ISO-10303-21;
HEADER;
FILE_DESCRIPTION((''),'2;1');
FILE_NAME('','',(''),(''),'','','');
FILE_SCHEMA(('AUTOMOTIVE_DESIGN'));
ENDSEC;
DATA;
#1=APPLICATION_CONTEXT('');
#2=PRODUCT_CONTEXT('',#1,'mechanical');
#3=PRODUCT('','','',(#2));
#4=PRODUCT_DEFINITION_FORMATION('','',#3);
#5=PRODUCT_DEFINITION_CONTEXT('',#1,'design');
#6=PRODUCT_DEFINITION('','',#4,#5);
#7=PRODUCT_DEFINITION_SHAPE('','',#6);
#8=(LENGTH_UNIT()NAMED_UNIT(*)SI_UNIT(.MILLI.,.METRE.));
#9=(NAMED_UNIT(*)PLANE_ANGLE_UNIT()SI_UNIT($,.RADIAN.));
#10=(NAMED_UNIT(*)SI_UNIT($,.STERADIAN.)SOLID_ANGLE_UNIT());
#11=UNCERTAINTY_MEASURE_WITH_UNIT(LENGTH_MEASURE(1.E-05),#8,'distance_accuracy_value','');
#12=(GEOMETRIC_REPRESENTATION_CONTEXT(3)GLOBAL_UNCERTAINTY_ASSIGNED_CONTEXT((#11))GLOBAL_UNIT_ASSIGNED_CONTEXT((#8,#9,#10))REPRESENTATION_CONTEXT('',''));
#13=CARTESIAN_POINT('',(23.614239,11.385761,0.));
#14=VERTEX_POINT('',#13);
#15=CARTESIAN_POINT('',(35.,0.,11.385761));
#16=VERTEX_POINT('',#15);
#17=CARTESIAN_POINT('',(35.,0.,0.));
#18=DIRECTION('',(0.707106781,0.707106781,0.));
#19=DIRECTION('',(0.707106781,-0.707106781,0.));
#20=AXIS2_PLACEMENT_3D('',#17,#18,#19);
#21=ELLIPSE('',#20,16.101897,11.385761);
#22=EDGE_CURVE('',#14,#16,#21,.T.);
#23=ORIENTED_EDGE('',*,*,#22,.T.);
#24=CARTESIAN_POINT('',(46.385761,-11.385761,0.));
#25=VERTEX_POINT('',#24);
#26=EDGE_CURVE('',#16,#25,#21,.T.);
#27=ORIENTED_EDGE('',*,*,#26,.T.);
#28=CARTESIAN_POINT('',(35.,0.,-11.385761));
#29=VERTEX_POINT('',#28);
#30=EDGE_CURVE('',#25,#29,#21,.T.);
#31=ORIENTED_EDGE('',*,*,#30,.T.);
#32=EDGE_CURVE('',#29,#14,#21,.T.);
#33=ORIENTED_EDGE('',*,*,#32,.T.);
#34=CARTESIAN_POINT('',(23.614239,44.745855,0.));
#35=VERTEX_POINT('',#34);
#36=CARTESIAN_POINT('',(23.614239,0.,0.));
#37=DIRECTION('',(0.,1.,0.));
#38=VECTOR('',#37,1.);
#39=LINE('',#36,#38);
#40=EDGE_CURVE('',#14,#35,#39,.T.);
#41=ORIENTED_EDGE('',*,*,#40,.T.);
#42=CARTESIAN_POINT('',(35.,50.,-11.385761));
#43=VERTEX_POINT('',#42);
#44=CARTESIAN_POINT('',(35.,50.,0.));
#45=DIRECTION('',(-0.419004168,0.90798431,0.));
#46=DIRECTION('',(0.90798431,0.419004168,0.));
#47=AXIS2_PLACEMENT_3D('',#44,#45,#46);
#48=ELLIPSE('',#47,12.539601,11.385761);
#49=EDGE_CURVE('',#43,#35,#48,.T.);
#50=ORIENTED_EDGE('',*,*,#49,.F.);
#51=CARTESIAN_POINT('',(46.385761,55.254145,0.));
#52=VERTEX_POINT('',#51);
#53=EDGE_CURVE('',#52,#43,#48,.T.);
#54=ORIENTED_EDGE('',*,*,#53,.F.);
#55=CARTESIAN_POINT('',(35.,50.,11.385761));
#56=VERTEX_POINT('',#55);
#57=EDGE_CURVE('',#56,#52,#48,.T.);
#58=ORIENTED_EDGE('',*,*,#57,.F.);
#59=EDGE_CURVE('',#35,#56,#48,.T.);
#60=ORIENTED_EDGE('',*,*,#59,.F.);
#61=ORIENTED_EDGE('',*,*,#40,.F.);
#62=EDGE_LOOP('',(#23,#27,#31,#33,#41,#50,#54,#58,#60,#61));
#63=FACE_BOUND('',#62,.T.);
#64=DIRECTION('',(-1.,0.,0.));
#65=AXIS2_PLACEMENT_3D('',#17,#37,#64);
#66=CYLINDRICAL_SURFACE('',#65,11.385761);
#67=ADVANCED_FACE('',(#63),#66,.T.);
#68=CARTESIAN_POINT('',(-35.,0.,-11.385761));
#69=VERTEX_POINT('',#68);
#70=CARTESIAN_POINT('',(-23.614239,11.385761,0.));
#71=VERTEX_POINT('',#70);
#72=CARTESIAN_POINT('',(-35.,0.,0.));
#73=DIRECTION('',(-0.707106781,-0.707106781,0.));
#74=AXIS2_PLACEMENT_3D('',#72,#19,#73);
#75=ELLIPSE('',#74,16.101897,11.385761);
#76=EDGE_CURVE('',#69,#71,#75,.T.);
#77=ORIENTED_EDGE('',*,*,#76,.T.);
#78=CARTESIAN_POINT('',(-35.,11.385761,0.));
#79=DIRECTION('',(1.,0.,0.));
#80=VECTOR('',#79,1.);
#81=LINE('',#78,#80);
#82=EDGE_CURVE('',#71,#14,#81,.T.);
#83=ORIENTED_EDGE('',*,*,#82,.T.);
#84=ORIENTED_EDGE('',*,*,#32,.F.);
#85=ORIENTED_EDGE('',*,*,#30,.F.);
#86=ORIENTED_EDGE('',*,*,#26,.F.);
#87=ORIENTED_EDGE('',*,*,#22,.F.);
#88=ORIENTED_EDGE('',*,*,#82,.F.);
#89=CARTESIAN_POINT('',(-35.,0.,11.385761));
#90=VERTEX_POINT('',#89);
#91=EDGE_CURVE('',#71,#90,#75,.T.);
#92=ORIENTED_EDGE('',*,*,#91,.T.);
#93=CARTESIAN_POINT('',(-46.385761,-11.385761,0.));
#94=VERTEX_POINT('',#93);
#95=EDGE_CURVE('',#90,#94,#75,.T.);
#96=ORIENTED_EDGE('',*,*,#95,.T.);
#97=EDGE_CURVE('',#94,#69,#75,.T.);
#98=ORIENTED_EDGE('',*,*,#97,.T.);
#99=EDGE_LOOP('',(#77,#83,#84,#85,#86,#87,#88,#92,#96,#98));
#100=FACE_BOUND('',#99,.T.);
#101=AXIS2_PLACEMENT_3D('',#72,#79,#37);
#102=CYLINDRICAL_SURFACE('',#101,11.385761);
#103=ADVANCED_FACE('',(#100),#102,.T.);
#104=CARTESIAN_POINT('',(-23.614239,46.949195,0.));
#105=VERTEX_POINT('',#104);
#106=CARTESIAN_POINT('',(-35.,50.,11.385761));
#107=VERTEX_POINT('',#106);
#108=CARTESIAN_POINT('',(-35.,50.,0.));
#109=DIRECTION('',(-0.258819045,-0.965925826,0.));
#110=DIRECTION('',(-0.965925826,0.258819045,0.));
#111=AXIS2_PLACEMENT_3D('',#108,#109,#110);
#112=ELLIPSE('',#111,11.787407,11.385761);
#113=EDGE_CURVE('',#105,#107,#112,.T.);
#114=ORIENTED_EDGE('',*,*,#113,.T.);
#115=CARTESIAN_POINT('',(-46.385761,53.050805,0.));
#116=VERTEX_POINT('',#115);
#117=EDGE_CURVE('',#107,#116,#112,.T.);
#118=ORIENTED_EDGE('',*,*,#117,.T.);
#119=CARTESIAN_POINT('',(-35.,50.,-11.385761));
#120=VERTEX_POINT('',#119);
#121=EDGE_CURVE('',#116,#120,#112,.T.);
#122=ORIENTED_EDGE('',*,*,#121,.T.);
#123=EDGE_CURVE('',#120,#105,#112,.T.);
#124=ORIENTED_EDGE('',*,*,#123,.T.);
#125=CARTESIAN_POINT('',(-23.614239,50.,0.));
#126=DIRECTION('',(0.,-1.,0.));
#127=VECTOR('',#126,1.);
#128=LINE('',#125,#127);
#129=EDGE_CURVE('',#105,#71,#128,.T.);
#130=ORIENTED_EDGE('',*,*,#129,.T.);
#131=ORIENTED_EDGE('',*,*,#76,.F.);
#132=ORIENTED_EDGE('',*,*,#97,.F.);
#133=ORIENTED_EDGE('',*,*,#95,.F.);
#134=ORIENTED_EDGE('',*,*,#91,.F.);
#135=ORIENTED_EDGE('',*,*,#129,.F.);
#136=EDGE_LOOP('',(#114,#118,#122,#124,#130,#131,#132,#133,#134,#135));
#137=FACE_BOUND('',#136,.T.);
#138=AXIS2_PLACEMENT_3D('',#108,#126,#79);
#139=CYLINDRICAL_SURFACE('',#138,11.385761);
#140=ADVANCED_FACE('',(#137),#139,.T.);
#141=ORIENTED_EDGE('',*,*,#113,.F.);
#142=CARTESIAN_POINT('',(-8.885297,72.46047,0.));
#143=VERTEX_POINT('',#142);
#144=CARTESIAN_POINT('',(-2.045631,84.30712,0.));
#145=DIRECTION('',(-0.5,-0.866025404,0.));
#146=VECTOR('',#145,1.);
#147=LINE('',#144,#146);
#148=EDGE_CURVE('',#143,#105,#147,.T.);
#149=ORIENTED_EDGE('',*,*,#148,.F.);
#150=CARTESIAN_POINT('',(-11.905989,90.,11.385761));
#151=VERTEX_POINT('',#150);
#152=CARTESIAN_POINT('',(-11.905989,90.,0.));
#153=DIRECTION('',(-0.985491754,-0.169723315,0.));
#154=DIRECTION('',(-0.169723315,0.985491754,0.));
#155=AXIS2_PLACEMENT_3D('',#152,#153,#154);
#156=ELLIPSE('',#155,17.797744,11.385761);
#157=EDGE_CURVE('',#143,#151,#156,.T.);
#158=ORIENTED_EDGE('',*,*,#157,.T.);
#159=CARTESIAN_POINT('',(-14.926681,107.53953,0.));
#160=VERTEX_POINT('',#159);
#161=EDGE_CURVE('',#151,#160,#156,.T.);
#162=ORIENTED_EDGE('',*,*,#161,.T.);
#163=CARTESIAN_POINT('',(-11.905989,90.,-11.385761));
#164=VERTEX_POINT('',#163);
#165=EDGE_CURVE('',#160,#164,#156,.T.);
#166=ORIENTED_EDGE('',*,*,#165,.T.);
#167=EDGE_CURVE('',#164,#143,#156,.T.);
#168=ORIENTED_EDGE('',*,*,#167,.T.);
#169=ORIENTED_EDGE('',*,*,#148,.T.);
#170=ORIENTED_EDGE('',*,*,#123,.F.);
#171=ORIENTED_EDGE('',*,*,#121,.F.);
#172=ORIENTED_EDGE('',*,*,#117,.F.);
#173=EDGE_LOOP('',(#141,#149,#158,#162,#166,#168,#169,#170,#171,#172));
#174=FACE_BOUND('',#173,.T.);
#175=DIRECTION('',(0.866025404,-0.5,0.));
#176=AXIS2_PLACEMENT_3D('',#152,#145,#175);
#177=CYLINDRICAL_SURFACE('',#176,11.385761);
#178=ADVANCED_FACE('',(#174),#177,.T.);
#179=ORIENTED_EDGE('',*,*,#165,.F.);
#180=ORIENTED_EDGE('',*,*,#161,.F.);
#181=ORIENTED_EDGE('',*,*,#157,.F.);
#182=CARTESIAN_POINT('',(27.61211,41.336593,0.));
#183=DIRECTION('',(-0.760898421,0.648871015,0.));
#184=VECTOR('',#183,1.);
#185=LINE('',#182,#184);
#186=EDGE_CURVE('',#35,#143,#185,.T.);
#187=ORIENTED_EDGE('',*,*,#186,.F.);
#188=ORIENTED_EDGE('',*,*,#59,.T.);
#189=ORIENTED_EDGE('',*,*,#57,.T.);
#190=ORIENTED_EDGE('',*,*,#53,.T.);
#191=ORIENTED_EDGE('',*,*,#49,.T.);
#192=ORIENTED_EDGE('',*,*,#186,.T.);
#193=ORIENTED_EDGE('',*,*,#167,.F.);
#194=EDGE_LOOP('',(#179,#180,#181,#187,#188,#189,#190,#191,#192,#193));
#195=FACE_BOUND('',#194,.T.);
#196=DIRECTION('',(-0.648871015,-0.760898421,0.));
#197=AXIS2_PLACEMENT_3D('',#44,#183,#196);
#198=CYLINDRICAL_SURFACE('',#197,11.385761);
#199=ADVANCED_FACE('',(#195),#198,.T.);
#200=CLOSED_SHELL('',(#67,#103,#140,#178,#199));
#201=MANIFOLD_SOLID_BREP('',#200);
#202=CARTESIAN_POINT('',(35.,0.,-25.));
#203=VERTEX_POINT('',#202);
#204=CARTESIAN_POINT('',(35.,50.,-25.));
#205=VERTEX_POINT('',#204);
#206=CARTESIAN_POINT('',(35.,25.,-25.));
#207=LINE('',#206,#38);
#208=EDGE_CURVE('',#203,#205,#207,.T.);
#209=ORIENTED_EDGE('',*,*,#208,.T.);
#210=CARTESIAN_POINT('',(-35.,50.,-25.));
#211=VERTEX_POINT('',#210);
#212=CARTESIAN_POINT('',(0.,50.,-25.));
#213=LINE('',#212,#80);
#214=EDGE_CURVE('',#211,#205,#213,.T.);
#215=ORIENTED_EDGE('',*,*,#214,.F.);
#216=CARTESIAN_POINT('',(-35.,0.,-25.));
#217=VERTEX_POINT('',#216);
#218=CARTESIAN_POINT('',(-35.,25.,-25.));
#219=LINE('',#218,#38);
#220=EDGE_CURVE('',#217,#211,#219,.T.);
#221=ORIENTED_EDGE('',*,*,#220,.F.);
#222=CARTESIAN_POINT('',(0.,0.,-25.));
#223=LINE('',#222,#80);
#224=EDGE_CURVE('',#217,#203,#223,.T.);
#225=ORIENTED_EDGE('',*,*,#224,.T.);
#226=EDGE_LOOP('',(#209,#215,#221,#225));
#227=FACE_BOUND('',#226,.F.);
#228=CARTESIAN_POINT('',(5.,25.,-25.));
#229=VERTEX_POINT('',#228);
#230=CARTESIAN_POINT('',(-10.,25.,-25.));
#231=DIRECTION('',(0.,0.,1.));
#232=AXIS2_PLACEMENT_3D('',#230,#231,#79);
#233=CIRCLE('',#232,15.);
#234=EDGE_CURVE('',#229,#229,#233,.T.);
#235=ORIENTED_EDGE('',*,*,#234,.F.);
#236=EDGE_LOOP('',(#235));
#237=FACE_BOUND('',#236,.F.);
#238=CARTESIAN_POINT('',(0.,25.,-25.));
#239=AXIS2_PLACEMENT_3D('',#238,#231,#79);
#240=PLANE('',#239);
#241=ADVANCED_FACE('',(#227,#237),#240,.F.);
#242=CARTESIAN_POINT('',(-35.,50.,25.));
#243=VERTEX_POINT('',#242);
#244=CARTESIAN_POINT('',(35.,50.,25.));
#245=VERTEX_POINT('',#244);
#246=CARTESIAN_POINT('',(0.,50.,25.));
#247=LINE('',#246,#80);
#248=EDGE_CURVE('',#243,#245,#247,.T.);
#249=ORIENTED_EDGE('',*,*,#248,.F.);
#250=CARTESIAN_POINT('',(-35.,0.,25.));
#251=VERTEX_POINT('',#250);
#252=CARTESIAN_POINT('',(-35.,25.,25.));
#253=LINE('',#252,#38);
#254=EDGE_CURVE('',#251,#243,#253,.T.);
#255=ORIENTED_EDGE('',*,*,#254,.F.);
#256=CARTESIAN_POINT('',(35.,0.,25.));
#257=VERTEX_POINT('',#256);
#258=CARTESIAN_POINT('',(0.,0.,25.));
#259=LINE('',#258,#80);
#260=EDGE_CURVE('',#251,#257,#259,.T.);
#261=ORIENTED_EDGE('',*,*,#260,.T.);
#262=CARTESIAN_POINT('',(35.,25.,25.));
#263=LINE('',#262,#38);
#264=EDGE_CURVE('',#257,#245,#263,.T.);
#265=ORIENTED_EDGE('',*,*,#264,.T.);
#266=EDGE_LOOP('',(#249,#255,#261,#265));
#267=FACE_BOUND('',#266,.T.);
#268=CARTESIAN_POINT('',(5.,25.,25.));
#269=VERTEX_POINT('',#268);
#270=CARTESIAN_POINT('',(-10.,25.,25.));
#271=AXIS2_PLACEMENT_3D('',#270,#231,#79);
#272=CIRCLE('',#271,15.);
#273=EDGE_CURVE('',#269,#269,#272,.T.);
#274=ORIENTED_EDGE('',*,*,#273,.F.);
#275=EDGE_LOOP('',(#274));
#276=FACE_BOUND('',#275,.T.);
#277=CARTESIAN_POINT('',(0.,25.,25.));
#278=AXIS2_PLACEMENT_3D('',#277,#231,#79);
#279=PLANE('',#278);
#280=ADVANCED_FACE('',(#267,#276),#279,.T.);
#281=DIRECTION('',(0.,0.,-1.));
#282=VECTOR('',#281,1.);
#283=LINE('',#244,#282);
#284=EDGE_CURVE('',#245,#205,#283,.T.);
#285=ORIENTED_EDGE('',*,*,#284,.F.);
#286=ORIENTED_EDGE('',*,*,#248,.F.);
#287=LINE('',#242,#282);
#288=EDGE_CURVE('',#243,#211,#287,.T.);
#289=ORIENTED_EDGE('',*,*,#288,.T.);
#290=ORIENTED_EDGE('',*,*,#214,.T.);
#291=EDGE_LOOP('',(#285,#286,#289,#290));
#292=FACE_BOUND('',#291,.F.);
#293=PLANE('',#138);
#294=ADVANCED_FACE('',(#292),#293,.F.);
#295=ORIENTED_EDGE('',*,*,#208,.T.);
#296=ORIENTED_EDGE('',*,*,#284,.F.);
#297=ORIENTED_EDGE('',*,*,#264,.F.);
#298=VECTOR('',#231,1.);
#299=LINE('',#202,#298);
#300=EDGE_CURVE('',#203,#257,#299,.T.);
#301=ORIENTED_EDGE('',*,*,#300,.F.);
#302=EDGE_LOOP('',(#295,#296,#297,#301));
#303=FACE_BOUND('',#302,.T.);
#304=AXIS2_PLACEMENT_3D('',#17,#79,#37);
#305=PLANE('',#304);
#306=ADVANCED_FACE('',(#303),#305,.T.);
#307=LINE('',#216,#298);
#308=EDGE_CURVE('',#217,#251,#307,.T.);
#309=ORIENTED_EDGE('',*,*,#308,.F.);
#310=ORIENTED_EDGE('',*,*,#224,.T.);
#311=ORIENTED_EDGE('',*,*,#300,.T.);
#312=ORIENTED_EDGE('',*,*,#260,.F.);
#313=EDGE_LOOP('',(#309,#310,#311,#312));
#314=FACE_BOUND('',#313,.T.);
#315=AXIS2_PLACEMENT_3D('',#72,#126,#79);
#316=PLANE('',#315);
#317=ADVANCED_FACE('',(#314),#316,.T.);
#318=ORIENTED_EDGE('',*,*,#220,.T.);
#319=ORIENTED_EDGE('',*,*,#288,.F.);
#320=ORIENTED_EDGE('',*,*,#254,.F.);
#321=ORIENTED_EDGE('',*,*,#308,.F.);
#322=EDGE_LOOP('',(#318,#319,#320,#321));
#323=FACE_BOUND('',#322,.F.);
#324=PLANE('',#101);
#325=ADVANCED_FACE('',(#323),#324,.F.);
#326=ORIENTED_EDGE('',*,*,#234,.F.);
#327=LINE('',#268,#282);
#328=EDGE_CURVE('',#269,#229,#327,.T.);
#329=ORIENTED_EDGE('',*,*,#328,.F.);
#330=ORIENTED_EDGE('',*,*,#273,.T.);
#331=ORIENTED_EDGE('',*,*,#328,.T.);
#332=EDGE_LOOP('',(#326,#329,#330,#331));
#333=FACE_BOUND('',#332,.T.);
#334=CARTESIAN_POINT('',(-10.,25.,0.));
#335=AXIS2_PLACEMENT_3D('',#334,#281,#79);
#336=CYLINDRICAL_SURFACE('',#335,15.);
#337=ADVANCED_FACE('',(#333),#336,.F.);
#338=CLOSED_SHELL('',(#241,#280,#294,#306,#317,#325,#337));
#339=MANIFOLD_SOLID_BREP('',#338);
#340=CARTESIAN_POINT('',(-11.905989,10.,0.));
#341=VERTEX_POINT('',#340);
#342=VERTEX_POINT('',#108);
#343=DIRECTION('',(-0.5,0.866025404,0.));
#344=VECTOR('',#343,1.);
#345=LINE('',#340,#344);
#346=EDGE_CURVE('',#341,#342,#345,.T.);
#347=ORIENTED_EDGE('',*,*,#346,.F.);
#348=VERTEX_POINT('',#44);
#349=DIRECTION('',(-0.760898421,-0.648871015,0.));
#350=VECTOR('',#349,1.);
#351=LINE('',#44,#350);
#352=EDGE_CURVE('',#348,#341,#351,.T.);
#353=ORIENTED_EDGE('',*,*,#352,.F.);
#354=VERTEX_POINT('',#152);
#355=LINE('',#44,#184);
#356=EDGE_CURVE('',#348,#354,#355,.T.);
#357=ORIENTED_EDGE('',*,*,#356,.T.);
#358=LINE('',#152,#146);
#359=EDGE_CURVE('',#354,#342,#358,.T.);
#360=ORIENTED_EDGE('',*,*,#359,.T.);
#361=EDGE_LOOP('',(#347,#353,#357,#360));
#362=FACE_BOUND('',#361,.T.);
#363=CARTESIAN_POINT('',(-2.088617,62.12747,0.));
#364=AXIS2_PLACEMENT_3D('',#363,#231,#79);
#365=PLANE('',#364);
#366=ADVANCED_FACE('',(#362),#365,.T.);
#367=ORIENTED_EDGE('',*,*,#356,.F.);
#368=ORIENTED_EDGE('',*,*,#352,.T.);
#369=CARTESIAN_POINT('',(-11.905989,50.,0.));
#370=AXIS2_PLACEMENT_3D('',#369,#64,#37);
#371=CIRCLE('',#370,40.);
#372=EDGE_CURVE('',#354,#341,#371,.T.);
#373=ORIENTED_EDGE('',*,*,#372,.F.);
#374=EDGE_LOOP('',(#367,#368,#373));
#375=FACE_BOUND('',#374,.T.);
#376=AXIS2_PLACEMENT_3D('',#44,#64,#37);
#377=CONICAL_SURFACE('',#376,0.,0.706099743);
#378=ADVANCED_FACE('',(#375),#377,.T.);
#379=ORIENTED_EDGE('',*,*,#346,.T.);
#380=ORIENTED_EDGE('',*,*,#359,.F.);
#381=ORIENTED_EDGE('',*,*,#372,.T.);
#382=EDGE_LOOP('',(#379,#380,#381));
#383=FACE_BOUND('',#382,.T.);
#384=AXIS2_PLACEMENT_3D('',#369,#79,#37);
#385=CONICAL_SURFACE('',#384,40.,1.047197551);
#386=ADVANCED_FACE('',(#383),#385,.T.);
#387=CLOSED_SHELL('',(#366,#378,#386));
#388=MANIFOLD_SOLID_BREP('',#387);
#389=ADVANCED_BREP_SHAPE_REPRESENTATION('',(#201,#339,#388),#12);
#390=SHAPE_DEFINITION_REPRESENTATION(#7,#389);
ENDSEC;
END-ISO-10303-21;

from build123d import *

# Parameters (mm, degrees)
F0_W     = 70
F0_H     = 50
F0_R     = 15
F1_DEPTH = 25
F2_ANGLE = 180
F4_R     = 11.3857608402


with BuildPart() as f1:
    # F0 (on Top) → F1 (new body, symmetric)
    with BuildSketch(Plane.XY):
        with Locations((0, 25)):
            Rectangle(F0_W, F0_H)
        with Locations((-10, 25)):
            Circle(F0_R, mode=Mode.SUBTRACT)
    extrude(amount=F1_DEPTH, both=True)


with BuildPart() as f2:
    # F0 (on Top) → F2 (revolve)
    with BuildSketch(Plane.XY):
        Polygon((-11.9059892324, 90), (-35, 50), (35, 50), align=None)
    revolve(axis=Axis((0, 50, 0), (-1, 0, 0)), revolution_arc=F2_ANGLE)


with BuildPart() as f5:
    # F5: sweep along a path in F0
    with BuildLine(Plane.XY) as f5_path:
        Line((-35, 0), (35, 0))
        Line((35, 0), (35, 50))
        Line((35, 50), (-11.9059892324, 90))
        Line((-11.9059892324, 90), (-35, 50))
        Line((-35, 50), (-35, 0))
    # F4 (on plane+point) → F5 (sweep)
    with BuildSketch(Plane.YZ.offset(-35)):
        Circle(F4_R)
    sweep(path=f5_path.line, transition=Transition.RIGHT)


solid = Compound([f1.part, f2.part, f5.part])
